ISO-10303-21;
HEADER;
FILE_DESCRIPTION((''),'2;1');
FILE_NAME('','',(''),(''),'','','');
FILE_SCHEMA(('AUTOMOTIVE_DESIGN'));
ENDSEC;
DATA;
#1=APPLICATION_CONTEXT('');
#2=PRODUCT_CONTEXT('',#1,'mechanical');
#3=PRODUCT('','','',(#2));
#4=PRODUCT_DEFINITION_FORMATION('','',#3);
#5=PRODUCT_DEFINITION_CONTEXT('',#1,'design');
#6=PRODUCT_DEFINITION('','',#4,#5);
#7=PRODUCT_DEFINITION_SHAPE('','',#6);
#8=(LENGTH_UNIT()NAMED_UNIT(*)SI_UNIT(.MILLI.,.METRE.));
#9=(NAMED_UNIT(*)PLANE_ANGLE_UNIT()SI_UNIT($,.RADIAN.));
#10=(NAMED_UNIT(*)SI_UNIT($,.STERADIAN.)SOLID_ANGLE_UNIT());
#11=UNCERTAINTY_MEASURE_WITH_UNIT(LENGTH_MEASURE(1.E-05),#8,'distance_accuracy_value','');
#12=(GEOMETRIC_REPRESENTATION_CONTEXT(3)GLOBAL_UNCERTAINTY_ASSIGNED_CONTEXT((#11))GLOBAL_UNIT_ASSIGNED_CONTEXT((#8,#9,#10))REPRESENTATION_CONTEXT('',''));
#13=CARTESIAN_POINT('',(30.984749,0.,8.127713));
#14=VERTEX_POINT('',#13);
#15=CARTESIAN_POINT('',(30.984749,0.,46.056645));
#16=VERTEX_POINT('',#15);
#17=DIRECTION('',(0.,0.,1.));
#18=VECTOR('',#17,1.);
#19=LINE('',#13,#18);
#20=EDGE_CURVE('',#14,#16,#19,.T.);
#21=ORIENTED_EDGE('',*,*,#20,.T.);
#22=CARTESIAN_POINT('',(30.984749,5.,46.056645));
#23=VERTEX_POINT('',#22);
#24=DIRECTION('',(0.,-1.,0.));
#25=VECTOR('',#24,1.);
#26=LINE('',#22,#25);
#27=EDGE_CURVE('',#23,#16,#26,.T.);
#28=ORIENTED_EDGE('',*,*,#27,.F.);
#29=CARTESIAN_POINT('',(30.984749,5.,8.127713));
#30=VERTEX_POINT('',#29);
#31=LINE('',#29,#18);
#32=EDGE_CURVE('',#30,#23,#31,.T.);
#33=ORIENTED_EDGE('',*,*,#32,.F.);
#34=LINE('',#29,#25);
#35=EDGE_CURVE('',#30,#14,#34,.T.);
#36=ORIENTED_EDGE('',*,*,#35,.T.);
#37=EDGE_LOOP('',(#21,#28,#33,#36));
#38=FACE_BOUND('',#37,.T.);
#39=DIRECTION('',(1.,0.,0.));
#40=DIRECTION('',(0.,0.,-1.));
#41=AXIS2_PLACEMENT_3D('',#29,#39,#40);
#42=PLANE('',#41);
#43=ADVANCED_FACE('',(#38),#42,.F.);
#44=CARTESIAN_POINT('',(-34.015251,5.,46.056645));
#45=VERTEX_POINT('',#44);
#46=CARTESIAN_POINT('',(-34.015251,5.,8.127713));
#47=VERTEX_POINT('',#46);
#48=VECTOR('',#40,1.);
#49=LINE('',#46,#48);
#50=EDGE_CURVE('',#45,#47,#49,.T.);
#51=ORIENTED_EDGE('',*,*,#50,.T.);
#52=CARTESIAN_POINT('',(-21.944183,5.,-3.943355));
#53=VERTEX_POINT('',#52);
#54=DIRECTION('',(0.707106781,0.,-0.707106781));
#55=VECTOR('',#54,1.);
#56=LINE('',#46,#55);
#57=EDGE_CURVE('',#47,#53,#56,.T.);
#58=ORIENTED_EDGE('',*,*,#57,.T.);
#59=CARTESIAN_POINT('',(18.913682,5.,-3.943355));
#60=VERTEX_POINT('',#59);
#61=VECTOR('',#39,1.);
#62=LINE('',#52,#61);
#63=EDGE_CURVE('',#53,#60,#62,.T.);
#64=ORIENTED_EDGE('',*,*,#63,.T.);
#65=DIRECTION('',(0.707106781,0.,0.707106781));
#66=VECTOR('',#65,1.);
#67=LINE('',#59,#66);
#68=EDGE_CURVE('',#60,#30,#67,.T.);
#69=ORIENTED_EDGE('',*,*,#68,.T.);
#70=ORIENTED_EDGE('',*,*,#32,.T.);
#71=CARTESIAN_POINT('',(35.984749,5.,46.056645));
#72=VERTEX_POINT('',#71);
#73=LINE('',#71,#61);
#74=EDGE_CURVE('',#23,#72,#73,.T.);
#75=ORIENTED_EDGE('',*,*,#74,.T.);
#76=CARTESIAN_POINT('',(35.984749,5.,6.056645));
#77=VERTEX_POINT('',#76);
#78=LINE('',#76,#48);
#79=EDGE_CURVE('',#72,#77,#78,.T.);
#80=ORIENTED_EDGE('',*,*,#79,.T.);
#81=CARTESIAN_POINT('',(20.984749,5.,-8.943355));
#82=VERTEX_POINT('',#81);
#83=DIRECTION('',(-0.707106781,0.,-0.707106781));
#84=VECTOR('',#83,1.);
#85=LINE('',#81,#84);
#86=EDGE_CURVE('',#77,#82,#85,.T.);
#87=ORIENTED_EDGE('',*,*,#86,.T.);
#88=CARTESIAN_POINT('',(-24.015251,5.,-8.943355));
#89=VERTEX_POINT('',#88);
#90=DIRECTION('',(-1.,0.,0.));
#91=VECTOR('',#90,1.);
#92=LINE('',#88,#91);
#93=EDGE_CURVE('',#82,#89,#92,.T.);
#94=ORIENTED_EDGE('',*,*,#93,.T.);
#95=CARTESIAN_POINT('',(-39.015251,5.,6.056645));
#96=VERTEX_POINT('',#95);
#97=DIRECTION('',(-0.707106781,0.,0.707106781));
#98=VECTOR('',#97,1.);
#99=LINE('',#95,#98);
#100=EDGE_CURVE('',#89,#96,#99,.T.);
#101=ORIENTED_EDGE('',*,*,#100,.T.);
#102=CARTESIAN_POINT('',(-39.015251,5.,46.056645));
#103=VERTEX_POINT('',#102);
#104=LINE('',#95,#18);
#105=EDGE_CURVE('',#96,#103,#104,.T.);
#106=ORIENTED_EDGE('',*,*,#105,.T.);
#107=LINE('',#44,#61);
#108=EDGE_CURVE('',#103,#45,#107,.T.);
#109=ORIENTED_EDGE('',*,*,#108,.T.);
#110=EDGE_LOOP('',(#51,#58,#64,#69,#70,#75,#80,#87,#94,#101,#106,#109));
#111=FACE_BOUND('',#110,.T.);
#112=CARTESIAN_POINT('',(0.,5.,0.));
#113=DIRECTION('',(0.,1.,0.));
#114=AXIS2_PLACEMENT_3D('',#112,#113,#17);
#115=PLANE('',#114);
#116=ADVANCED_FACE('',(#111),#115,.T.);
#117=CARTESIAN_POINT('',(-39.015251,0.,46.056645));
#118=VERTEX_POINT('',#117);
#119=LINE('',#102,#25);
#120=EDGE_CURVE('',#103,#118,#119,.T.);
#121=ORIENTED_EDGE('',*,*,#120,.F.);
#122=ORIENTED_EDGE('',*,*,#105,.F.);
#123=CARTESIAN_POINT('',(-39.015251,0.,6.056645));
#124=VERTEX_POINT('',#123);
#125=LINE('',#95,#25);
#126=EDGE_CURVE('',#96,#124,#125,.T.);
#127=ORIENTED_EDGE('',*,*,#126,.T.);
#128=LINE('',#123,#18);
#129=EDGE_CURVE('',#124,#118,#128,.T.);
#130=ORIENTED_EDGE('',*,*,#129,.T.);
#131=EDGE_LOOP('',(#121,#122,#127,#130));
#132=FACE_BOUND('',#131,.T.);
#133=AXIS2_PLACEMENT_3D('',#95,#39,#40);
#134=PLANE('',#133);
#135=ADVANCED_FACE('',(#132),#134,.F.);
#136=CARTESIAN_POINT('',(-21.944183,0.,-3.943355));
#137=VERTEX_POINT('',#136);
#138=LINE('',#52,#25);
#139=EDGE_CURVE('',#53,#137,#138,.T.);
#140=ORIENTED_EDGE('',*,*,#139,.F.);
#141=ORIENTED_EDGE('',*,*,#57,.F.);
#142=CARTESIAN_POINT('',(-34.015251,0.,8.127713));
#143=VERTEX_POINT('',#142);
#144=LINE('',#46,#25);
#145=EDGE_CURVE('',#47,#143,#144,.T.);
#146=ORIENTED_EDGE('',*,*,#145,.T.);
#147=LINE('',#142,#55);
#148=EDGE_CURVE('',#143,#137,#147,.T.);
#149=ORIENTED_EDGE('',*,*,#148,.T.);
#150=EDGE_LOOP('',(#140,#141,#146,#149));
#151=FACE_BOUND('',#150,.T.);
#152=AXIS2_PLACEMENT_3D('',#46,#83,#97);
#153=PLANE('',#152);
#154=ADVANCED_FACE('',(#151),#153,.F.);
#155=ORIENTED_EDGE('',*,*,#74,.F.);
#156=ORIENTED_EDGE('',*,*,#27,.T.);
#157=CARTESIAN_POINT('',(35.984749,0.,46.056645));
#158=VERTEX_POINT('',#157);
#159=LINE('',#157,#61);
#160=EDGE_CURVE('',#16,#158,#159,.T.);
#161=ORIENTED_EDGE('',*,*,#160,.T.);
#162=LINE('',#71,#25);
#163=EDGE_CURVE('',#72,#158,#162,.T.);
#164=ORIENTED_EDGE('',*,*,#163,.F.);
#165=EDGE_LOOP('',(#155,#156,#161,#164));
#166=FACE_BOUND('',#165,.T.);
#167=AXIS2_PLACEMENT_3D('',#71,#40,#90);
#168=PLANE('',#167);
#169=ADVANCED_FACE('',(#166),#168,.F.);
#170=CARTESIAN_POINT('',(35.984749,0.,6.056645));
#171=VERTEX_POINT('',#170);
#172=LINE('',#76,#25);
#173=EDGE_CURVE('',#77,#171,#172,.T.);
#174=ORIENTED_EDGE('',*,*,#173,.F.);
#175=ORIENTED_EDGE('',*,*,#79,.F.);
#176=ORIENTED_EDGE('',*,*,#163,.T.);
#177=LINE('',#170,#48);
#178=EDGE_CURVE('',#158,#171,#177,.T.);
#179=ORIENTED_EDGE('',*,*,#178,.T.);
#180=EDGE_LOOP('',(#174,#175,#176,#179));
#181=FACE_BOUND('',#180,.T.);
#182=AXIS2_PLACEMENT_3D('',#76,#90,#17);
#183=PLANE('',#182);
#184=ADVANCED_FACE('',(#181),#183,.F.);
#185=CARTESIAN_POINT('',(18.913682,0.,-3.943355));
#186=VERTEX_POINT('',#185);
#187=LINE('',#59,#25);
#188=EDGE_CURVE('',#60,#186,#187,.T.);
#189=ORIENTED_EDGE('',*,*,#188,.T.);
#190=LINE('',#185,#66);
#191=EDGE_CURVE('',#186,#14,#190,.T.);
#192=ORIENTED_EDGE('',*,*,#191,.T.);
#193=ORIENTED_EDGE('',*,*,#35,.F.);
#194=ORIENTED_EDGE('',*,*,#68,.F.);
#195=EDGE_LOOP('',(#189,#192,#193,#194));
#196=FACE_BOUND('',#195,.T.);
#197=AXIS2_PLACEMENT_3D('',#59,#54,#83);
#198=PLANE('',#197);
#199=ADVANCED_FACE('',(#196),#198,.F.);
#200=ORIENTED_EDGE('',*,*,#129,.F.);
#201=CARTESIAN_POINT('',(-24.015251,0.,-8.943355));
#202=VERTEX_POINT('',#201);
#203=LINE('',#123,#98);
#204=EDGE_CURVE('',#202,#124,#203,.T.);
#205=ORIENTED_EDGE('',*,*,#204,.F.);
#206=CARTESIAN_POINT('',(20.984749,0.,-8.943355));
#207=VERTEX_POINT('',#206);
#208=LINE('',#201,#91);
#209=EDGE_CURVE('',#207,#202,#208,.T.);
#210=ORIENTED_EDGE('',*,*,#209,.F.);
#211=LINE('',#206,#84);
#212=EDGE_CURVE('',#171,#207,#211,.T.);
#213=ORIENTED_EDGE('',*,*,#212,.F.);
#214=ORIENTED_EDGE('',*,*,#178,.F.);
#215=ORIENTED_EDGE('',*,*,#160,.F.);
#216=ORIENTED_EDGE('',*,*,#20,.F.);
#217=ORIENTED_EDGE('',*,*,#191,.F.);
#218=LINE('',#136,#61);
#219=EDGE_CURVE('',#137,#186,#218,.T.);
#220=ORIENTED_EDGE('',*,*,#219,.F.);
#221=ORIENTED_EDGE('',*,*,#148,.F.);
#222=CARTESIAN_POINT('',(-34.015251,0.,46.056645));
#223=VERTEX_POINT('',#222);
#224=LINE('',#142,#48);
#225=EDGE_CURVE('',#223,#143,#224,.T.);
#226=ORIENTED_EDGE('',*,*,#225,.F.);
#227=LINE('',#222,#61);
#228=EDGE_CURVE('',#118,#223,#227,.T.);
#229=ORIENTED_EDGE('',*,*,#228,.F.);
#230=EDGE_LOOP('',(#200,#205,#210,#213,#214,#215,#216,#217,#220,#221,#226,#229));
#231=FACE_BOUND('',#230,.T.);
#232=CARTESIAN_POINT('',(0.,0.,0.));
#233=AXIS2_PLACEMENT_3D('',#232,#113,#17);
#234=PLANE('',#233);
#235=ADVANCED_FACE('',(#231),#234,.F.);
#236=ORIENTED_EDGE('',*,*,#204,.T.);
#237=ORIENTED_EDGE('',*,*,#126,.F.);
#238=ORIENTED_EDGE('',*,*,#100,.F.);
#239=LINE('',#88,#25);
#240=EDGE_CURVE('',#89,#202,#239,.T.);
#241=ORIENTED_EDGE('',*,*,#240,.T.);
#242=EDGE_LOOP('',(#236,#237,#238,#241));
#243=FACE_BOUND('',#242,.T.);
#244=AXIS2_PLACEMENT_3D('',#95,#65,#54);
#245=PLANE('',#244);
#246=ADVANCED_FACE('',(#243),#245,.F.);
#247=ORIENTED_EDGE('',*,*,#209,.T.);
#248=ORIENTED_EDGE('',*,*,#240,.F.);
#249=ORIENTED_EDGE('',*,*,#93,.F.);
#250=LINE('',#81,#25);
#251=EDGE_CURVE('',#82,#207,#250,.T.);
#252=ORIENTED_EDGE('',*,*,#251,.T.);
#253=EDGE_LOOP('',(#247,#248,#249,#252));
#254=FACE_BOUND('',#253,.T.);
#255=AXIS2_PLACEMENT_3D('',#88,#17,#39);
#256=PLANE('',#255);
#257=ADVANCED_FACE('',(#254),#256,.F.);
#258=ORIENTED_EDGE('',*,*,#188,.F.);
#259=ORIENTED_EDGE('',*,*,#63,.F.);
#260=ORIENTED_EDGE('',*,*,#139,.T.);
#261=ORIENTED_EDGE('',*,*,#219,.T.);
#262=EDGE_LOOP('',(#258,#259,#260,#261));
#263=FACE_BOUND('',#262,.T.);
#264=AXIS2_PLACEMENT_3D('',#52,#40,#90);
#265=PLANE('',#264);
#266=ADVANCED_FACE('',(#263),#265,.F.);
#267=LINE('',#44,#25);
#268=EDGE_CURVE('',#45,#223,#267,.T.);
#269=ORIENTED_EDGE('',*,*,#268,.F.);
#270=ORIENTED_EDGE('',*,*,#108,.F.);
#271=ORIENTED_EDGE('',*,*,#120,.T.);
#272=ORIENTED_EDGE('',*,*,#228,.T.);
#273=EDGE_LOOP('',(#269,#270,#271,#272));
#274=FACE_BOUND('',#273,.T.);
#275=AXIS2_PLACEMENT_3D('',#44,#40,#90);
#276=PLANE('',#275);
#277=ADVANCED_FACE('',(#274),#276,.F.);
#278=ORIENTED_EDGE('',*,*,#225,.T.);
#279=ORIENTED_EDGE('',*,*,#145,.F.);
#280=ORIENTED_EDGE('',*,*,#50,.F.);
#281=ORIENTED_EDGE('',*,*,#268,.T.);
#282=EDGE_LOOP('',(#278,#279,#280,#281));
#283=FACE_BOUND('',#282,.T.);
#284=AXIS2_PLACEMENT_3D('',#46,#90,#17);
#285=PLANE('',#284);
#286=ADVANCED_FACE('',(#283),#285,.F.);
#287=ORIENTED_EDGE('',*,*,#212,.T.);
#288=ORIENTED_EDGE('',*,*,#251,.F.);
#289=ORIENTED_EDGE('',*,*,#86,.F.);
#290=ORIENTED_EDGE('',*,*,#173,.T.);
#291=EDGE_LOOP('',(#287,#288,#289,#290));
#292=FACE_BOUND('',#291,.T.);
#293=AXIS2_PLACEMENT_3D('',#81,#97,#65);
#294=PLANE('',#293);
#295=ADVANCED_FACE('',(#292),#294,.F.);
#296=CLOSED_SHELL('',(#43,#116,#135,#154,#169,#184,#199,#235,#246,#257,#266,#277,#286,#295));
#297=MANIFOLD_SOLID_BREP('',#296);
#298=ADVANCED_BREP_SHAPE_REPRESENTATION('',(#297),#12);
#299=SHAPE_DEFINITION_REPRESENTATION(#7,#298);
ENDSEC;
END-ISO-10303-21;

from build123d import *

# Parameters (mm, degrees)
BOSS_EXTRUDE1_DEPTH = 5


with BuildPart() as part:
    # Sketch1 → Boss-Extrude1 (new body)
    with BuildSketch(Plane(origin=(0, 0, 0), x_dir=(1, 0, 0), z_dir=(0, 1, 0))):
        Polygon((-39.015250545, -6.05664488), (-24.015250545, 8.94335512), (20.984749455, 8.94335512), (35.984749455, -6.05664488), (35.984749455, -46.05664488), (30.984749455, -46.05664488), (30.984749455, -8.127712692), (18.913681643, 3.94335512), (-21.944182733, 3.94335512), (-34.015250545, -8.127712692), (-34.015250545, -46.05664488), (-39.015250545, -46.05664488), align=None)
    extrude(amount=BOSS_EXTRUDE1_DEPTH)


solid = part.part
